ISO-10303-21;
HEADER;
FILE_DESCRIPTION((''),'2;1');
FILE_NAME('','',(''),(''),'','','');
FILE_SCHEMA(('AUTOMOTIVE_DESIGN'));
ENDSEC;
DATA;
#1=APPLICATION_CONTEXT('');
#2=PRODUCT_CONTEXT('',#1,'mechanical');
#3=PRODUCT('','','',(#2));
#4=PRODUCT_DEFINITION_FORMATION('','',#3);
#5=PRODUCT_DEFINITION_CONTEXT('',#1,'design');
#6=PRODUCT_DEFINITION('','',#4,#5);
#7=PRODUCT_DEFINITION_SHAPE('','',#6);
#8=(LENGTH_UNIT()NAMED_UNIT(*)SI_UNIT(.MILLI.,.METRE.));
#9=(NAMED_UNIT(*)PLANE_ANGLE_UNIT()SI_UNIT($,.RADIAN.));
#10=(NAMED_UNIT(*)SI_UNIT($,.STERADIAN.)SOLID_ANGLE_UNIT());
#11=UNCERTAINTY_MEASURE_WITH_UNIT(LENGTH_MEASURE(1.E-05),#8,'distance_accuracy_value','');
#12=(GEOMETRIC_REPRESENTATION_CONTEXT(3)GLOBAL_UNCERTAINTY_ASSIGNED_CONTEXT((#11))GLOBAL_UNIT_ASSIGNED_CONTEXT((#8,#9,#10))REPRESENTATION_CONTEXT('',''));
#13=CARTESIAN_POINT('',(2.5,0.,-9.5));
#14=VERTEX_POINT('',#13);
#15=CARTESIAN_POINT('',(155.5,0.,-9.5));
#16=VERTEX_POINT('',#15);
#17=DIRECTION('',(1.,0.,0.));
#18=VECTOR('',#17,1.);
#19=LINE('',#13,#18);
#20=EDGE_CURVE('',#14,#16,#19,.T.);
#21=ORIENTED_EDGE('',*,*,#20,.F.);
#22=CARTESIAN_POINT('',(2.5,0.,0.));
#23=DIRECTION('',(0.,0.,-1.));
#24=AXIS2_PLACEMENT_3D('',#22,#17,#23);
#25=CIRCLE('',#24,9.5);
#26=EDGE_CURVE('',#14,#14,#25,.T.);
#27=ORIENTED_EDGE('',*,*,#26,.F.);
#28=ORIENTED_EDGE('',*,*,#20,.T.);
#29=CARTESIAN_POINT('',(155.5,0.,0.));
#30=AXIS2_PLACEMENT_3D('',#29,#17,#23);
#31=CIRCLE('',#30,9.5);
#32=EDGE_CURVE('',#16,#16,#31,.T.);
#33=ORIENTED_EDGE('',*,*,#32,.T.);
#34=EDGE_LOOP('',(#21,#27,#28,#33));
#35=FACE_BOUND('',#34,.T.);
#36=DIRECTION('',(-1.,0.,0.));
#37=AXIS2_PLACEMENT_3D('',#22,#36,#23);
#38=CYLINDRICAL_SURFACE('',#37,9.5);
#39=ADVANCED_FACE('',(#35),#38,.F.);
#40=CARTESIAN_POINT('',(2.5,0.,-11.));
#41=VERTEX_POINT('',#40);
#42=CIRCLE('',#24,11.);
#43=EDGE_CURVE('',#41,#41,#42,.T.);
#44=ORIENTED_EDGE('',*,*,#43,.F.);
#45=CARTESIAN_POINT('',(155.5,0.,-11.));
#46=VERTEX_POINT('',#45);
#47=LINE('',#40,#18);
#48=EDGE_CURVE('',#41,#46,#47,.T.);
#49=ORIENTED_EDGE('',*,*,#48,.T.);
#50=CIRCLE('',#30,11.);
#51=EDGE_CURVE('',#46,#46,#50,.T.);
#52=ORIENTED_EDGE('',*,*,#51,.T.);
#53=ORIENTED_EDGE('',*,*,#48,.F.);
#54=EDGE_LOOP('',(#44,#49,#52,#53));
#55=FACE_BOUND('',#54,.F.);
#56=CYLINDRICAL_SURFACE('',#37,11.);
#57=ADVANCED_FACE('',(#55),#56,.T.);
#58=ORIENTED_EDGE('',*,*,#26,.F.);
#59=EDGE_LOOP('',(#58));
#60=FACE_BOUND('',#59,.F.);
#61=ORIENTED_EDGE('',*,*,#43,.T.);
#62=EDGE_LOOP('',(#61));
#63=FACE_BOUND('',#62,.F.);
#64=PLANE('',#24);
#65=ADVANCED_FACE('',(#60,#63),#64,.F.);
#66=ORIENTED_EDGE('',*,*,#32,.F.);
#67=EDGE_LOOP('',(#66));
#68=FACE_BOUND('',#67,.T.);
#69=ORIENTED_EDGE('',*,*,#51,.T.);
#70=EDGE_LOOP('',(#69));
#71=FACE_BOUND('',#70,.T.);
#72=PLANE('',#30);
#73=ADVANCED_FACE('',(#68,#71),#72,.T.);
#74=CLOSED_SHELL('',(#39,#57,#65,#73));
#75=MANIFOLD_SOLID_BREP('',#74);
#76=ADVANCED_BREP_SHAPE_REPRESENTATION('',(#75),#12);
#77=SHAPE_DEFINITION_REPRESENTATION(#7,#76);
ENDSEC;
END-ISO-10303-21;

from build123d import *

# Parameters (mm, degrees)
CYLINDER001_R     = 9.5
CYLINDER001_DEPTH = 153
CYLINDER_R        = 11
CYLINDER_DEPTH    = 153
CUT_PITCH_ANGLE   = 90


with BuildPart() as int:
    # Cylinder001 → Cylinder001 (new body)
    with BuildSketch(Plane.XY.offset(2.5)):
        Circle(CYLINDER001_R)
    extrude(amount=CYLINDER001_DEPTH)


with BuildPart() as steeltube:
    # Cylinder → Cylinder (new body)
    with BuildSketch(Plane.XY.offset(2.5)):
        Circle(CYLINDER_R)
    extrude(amount=CYLINDER_DEPTH)

    # Cut: cut INT
    add(int.part, mode=Mode.SUBTRACT)


with BuildPart() as steeltube_1:
    # Cut pitch: moved
    add(steeltube.part.rotate(Axis((0, 0, 0), (0, 1, 0)), CUT_PITCH_ANGLE))


with BuildPart() as steeltube_2:
    # Cut placement: moved
    add(steeltube_1.part)


solid = steeltube_2.part
